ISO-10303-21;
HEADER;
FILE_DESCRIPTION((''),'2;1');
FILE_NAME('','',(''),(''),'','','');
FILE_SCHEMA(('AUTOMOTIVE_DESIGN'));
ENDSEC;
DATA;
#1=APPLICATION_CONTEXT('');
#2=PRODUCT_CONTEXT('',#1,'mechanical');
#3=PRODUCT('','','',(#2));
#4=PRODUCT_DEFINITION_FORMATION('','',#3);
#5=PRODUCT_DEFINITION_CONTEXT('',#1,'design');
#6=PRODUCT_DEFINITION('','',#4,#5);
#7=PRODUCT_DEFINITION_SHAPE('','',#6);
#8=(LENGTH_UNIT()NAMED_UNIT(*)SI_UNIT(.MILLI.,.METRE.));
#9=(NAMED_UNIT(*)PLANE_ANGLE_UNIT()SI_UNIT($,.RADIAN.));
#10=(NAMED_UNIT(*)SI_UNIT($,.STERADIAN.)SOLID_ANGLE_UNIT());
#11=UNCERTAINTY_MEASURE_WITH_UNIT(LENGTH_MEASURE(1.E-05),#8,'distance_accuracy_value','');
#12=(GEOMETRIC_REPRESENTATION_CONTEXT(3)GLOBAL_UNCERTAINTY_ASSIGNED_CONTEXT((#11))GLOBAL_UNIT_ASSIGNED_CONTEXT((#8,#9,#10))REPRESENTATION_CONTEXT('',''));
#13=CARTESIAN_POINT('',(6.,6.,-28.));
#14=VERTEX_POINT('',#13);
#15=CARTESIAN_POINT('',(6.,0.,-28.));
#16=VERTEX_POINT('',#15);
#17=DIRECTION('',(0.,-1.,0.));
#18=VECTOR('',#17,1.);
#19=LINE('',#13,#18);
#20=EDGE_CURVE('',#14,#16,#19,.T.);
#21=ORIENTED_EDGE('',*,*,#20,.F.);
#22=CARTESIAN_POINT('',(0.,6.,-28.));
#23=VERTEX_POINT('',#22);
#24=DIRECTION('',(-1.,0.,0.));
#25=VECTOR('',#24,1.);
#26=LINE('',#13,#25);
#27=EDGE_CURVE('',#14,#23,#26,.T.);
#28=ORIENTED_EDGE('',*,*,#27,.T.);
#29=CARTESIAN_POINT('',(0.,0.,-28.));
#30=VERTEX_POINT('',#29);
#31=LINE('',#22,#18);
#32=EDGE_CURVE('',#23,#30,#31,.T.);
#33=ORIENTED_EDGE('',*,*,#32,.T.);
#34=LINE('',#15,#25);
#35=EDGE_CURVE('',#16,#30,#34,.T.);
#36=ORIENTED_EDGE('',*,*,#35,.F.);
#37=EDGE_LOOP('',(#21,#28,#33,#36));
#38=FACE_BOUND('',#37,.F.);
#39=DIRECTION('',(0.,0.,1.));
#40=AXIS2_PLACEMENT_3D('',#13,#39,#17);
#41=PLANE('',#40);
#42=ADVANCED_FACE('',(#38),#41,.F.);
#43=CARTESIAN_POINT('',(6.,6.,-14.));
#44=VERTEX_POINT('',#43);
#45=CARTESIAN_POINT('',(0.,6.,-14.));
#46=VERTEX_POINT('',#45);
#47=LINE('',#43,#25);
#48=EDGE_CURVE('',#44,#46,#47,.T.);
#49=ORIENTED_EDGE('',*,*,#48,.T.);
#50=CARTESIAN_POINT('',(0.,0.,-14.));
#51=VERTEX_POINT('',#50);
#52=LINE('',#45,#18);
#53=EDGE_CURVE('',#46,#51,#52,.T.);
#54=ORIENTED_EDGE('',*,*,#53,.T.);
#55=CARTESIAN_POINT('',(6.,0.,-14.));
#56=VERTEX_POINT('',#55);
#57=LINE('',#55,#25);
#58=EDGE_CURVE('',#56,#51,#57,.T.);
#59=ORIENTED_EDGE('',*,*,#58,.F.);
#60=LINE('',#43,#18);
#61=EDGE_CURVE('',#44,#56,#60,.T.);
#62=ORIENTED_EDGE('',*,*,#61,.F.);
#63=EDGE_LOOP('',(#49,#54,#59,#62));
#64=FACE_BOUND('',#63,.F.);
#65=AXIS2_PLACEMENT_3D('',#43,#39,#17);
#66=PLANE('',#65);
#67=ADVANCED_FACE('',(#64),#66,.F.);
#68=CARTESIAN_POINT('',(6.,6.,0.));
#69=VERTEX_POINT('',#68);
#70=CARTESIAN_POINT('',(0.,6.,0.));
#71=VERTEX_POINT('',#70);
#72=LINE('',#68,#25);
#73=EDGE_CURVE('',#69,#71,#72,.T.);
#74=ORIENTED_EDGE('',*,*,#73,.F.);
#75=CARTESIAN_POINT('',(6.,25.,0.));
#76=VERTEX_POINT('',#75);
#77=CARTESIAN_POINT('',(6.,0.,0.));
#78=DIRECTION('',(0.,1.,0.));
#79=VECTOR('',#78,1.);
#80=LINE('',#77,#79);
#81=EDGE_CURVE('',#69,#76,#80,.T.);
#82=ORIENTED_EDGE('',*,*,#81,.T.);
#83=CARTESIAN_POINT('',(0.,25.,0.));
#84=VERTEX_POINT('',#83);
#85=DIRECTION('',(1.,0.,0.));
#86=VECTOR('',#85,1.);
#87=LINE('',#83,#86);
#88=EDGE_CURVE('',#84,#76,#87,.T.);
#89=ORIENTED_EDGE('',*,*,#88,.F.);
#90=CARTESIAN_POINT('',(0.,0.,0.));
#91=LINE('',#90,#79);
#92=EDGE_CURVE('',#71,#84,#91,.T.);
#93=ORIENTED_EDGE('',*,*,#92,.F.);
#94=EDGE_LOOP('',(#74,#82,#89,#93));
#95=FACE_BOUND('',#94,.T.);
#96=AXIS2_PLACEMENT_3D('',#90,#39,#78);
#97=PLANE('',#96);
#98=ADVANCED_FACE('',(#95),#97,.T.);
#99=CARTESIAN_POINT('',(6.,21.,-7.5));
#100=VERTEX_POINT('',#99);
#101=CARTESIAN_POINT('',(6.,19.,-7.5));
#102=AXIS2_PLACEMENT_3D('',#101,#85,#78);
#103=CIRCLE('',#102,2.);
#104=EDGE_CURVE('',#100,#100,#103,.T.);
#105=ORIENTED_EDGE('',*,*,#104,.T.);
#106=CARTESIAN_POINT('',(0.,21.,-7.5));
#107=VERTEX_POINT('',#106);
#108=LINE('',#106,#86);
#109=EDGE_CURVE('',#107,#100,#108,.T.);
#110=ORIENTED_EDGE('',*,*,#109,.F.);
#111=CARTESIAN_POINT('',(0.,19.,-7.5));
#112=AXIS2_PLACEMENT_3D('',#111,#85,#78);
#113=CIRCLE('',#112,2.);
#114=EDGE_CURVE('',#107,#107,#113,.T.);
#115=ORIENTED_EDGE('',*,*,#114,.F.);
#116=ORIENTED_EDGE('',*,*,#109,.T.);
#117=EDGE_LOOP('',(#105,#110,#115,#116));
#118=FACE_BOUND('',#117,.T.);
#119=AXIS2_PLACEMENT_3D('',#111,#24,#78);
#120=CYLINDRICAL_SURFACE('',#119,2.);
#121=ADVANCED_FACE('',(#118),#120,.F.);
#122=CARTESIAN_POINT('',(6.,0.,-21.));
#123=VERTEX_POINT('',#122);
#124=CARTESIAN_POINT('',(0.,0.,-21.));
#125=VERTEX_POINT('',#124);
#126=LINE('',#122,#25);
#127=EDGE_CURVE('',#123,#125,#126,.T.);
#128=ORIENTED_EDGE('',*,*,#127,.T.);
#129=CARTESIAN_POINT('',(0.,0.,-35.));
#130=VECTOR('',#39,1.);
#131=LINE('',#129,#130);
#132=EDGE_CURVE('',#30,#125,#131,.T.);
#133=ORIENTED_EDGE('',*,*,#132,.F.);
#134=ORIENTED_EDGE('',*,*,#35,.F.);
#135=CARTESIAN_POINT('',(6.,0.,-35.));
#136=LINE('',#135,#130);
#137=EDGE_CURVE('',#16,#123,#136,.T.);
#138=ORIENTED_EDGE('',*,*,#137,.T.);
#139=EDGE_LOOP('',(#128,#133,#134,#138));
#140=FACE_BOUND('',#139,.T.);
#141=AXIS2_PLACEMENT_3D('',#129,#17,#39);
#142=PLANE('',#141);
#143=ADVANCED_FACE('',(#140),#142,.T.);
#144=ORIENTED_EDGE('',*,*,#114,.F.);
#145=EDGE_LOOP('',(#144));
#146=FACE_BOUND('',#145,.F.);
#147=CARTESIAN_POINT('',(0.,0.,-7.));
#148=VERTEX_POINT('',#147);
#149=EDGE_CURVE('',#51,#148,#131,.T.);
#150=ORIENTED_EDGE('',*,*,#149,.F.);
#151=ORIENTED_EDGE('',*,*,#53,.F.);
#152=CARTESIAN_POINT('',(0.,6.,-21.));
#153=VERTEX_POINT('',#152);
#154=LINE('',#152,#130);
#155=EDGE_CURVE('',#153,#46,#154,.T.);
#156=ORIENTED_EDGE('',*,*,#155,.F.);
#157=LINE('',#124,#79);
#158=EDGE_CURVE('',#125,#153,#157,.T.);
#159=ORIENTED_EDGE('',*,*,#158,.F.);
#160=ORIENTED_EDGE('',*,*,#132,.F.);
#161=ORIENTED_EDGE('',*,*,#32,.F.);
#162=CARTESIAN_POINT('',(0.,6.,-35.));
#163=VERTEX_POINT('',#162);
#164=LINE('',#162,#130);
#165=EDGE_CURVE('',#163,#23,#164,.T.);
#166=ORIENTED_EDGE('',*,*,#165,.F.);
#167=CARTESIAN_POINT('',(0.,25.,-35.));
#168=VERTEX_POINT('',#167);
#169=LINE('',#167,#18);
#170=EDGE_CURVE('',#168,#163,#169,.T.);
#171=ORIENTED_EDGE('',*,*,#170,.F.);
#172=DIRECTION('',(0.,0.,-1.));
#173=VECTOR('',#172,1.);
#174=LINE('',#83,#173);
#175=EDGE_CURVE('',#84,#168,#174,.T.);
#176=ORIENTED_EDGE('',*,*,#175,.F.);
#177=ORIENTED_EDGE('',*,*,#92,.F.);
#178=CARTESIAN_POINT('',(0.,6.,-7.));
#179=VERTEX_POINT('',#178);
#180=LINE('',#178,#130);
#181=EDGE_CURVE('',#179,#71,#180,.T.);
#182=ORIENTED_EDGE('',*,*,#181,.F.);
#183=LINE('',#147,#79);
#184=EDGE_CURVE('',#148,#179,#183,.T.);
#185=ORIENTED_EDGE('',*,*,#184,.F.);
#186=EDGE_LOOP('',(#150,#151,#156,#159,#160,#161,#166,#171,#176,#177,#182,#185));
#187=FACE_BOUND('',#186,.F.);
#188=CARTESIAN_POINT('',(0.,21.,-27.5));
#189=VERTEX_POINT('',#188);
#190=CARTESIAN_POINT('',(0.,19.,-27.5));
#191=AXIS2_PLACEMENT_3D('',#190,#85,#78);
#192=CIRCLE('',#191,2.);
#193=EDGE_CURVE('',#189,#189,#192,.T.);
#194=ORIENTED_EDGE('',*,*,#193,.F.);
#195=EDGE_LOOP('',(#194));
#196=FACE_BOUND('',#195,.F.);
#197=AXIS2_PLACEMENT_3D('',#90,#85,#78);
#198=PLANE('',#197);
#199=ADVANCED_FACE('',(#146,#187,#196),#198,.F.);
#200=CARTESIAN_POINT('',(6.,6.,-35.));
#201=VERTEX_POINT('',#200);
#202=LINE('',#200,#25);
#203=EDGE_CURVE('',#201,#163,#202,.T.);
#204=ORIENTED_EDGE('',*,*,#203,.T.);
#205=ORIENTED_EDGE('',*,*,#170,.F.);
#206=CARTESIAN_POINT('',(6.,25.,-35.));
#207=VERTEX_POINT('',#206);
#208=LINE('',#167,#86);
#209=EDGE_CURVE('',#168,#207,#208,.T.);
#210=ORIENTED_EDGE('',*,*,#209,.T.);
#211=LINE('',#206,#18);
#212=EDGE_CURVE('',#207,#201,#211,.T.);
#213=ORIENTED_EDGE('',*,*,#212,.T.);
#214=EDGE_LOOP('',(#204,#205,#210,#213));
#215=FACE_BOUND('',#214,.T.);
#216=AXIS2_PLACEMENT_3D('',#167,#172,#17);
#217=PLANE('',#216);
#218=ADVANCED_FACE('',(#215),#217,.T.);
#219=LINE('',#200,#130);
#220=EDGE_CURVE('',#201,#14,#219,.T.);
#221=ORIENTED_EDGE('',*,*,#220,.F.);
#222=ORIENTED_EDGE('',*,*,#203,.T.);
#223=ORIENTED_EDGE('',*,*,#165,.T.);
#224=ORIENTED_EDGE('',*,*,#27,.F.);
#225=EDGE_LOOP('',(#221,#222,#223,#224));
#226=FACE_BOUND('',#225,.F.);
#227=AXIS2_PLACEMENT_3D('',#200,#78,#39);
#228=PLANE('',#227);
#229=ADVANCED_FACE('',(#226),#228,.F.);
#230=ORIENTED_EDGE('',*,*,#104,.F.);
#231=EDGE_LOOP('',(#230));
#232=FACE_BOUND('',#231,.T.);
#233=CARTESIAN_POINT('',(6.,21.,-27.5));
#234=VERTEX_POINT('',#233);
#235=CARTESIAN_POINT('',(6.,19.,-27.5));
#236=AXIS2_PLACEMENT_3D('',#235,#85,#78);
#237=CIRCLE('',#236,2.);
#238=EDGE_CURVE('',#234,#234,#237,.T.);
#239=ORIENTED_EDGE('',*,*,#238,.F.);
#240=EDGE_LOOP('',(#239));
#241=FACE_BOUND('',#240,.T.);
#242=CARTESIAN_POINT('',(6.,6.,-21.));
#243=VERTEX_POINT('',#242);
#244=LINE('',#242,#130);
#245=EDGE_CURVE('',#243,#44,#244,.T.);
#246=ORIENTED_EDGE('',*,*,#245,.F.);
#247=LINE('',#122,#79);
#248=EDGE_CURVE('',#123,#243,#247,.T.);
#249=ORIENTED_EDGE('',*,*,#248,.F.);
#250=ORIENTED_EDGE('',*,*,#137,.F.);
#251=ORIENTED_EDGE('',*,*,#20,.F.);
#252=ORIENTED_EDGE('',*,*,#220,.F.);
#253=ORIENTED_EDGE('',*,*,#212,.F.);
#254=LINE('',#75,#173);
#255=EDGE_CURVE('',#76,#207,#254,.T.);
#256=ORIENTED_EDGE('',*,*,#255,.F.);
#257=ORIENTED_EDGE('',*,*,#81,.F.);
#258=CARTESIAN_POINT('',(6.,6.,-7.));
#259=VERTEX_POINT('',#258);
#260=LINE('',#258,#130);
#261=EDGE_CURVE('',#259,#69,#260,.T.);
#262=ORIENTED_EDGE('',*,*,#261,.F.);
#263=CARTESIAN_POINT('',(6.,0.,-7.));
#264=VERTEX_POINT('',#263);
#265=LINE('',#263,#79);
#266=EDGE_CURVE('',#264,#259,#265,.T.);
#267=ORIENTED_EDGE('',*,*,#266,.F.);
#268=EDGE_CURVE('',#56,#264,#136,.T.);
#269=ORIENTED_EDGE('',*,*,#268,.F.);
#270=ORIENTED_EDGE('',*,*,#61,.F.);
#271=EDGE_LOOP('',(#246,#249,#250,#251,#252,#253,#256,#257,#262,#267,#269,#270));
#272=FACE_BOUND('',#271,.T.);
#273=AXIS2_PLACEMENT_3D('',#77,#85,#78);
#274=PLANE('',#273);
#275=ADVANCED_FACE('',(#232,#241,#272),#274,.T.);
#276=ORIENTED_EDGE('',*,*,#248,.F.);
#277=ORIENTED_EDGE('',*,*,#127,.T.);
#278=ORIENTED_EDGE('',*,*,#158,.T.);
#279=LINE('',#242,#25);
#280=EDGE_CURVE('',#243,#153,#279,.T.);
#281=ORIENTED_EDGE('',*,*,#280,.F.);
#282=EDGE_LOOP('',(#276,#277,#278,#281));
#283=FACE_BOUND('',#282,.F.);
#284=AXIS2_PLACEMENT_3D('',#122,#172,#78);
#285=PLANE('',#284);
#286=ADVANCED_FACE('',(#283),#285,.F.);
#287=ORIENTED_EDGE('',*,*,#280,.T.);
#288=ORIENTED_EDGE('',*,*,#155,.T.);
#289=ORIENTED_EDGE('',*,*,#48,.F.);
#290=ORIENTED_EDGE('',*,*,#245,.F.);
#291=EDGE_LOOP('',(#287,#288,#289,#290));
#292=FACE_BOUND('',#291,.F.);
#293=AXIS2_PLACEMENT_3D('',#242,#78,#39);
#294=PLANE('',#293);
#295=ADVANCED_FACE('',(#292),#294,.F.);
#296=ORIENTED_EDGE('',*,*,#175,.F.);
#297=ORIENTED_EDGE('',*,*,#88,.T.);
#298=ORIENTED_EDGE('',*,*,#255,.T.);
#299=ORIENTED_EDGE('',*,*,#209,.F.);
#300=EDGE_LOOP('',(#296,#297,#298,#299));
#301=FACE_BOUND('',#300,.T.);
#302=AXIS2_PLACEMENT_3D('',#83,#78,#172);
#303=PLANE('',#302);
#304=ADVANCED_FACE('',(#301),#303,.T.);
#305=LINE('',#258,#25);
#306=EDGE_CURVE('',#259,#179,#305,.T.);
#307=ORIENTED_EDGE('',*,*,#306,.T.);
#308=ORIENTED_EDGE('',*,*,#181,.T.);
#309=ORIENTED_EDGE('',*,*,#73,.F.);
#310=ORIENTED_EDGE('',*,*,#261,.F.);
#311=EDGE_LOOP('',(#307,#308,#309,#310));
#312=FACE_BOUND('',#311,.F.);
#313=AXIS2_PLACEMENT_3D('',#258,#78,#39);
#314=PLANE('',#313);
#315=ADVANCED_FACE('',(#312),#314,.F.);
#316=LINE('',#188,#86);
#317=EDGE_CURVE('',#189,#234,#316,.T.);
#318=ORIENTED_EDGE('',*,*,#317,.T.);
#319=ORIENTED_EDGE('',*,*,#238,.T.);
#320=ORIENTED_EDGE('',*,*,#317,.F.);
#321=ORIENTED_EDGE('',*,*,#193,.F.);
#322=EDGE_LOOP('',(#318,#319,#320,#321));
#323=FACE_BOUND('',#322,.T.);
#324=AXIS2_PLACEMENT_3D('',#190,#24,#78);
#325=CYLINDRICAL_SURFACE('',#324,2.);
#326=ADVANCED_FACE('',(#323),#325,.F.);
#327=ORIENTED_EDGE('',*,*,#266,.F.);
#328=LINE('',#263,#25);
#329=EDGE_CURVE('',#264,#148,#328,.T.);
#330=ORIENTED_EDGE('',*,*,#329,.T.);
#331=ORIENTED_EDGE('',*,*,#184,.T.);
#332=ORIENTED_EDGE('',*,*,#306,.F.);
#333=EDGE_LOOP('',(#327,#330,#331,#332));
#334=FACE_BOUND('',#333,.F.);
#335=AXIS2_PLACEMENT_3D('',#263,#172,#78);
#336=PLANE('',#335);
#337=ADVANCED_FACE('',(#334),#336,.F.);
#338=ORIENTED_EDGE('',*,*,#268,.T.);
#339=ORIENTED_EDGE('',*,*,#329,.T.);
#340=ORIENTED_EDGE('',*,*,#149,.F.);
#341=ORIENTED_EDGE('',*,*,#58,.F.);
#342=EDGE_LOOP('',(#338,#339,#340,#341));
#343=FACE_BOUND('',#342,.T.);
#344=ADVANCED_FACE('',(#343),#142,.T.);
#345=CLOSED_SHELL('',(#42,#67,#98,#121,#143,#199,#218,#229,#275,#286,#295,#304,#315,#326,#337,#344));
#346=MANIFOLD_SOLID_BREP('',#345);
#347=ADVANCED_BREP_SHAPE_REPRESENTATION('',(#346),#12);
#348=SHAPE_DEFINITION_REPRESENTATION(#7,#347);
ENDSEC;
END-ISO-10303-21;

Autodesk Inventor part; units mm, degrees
ref_plane "YZ Plane" through (0, 0, 0) normal (1, 0, 0) x (0, 1, 0)
ref_plane "XZ Plane" through (0, 0, 0) normal (0, 1, 0) x (-1, 0, 0)
ref_plane "XY Plane" through (0, 0, 0) normal (0, 0, 1) x (1, 0, 0)
sketch "Sketch1" plane through (0, 0, 0) normal (1, 0, 0) x (0, 1, 0)
  line L0 (0, 0) -> (25, 0)
  line L1 (25, 0) -> (25, -35)
  line L2 (25, -35) -> (0, -35)
  line L3 (0, -35) -> (0, 0)
  circle A0 centre (19, -7.5) radius 2
  circle A1 centre (19, -27.5) radius 2
  dimension "d0" = 25
  dimension "d1" = 35
  dimension "d5" = 4
  dimension "d6" = 4
extrude "Extrusion1" add sketch "Sketch1" along normal blind 6
sketch "Sketch2" plane through (6, 0, 0) normal (1, 0, 0) x (0, 0, -1)
  line L0 (0, 0) -> (7, 0)
  line L1 (7, 0) -> (7, 6)
  line L2 (7, 6) -> (0, 6)
  line L3 (0, 6) -> (0, 0)
  dimension "d9" = 7
  dimension "d10" = 6
extrude "Extrusion2" cut sketch "Sketch2" against normal blind 6
pattern_linear "Rectangular Pattern1" count 3 spacing 14 along (0, 0, -1) of "Extrusion2"
properties part number "g_mount 1"
